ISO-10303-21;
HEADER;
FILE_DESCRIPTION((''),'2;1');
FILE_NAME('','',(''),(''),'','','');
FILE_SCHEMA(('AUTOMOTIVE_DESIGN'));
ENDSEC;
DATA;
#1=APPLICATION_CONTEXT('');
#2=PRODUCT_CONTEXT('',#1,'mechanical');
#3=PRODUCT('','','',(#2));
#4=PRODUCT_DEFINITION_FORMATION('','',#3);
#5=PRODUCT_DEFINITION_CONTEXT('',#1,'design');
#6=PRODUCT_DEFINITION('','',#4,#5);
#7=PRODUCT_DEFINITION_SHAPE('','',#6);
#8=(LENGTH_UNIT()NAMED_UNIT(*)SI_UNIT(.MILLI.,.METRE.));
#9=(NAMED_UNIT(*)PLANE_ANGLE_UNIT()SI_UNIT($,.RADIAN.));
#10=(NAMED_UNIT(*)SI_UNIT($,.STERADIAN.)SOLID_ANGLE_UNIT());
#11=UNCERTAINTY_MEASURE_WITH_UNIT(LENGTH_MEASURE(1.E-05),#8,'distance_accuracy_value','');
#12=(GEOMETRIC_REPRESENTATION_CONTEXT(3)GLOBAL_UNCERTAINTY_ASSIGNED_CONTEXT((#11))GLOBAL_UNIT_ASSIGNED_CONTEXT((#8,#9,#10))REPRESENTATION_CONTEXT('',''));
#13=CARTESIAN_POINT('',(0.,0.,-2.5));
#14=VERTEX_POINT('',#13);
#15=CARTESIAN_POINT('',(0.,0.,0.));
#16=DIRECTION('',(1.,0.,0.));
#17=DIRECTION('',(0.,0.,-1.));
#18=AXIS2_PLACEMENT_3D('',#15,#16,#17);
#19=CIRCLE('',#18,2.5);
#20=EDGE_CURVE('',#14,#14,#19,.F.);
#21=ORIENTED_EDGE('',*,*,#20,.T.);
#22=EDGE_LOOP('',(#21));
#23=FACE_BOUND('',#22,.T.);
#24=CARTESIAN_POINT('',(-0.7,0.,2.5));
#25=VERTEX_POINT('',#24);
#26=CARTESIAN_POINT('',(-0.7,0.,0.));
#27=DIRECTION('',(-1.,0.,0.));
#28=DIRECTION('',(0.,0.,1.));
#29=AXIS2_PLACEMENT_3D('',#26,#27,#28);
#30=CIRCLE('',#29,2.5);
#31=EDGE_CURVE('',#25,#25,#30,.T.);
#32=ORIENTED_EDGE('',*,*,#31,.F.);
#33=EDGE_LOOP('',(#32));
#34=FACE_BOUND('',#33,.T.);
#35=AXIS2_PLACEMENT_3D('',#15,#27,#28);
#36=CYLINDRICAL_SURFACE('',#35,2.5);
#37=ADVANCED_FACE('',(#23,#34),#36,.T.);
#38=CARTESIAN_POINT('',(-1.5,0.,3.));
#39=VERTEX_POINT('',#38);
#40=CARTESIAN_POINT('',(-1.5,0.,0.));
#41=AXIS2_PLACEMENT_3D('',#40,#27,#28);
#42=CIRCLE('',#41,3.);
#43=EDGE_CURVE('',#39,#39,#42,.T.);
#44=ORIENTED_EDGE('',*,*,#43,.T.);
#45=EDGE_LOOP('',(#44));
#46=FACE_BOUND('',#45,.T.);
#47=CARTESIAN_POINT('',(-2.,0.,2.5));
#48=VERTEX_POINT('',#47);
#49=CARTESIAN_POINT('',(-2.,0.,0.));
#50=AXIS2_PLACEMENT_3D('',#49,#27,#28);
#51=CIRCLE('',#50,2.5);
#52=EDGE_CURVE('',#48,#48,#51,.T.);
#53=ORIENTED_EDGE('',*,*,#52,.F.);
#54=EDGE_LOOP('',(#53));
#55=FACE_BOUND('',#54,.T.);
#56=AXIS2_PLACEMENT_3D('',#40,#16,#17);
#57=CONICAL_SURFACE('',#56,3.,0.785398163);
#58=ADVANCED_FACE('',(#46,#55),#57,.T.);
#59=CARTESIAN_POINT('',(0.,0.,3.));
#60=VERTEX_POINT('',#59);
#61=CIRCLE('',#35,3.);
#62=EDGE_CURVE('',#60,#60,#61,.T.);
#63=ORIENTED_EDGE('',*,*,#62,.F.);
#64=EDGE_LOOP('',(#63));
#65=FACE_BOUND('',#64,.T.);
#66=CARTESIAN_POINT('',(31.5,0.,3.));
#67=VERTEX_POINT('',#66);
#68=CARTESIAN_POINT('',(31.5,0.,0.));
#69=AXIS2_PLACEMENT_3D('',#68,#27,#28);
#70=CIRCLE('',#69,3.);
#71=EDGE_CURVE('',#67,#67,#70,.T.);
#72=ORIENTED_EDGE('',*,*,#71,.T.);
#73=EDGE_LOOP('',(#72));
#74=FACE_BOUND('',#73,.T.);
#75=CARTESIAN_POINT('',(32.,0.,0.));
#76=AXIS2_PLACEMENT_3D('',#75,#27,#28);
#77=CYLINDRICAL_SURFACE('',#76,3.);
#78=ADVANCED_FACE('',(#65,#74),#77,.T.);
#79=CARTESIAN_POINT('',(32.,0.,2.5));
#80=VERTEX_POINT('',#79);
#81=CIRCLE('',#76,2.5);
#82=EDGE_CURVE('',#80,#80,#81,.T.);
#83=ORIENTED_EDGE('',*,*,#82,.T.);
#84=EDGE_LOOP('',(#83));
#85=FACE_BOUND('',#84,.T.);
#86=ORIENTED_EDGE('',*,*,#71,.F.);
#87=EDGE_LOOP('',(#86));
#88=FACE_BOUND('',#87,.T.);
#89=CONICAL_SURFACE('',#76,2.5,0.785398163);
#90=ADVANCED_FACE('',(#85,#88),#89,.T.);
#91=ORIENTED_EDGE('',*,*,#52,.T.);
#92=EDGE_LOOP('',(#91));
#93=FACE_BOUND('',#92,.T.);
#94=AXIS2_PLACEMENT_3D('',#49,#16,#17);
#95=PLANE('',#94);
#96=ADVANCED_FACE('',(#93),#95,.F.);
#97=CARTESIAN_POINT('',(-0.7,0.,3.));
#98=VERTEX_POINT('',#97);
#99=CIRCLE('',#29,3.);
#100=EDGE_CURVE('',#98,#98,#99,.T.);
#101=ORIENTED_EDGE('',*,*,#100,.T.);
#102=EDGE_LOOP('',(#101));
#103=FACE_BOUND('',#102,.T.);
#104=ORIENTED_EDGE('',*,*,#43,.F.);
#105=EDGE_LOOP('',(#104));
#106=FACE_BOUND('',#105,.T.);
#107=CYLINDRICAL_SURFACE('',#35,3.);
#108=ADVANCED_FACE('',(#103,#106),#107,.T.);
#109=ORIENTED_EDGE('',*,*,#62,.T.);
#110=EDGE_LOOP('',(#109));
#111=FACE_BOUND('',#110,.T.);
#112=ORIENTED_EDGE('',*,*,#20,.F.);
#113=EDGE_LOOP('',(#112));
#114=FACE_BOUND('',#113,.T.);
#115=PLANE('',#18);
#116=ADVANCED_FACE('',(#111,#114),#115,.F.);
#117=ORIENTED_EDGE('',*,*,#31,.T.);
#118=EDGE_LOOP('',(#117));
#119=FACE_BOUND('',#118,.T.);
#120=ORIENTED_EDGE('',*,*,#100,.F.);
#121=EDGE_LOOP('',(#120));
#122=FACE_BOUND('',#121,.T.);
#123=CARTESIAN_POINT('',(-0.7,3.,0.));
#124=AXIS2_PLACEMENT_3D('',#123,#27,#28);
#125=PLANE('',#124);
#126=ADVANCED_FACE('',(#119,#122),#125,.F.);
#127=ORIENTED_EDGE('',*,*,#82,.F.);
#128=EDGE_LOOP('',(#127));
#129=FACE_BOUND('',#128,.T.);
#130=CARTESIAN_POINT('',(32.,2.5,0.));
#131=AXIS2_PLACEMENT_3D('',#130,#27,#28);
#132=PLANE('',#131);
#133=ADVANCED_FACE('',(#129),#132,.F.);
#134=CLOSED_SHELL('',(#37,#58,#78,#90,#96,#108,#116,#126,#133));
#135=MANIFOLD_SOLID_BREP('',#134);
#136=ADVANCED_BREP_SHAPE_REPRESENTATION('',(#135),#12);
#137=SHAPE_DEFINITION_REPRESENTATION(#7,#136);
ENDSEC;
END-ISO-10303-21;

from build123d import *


with BuildPart() as part:
    # Sketch1 → Revolve1 (revolve)
    with BuildSketch(Plane.XY, mode=Mode.PRIVATE) as revolve1_sk:
        Polygon((0, 0), (0, 3), (31.5, 3), (32, 2.5), (32, 0), align=None)
    revolve(revolve1_sk.sketch.rotate(Axis((32, 0, 0), (-1, 0, 0)), 270), axis=Axis((32, 0, 0), (-1, 0, 0)))

    # Sketch2 → Revolve2 (revolve)
    with BuildSketch(Plane.XY, mode=Mode.PRIVATE) as revolve2_sk:
        Polygon((-2, 0), (-2, 2.5), (-1.5, 3), (-0.7, 3), (-0.7, 2.5), (0, 2.5), (0, 0), align=None)
    revolve(revolve2_sk.sketch.rotate(Axis((0, 0, 0), (-1, 0, 0)), 270), axis=Axis((0, 0, 0), (-1, 0, 0)))


solid = part.part
